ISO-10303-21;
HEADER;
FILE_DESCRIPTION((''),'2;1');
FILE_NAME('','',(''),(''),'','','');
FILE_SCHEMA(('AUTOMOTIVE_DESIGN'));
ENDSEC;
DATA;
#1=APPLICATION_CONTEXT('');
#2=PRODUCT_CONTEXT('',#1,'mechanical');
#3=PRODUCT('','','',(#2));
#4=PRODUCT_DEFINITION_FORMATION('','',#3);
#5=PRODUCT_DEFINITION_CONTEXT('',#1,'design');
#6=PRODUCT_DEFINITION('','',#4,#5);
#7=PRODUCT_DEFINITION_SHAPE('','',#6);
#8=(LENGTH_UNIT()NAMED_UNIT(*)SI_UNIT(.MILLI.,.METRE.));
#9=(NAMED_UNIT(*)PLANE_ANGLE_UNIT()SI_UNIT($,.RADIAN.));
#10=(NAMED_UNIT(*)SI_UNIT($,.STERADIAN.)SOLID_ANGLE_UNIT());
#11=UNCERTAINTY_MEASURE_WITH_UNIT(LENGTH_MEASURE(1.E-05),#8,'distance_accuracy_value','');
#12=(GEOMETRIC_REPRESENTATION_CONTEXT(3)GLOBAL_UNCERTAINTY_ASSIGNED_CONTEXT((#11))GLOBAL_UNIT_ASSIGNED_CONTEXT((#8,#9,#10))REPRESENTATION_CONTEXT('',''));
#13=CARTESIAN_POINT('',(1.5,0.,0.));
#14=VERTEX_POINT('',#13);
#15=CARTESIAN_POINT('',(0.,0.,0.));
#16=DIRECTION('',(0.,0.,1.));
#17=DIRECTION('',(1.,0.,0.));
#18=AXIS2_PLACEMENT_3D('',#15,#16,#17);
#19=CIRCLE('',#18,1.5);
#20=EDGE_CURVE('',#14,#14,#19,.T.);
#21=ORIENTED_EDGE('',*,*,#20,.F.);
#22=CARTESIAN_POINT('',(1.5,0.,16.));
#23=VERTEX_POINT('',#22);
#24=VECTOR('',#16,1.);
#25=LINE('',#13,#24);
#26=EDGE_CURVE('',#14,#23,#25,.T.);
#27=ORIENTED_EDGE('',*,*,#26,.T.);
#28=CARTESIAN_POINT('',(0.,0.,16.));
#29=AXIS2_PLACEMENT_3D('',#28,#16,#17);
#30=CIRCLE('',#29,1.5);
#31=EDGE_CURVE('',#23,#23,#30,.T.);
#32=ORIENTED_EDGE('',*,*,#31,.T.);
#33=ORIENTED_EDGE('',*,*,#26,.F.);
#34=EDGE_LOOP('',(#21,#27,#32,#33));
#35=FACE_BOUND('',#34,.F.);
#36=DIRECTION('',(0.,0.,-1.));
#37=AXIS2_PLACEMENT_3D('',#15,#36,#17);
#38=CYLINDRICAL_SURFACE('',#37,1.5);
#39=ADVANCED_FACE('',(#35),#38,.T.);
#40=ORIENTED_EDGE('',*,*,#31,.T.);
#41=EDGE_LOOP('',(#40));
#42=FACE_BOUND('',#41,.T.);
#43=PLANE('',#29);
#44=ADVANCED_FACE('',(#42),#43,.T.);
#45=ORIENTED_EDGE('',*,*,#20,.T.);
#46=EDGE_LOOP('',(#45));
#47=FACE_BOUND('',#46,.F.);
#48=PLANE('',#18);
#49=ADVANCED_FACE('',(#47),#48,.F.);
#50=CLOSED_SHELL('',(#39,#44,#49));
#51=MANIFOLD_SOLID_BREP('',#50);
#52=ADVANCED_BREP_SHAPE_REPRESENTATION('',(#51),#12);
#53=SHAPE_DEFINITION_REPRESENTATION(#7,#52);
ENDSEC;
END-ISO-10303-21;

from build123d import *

# Parameters (mm, degrees)
SKETCH_1_R      = 1.5
EXTRUDE_1_DEPTH = 16


with BuildPart() as part:
    # ｽｹｯﾁ1 → ﾎﾞｽ - 押し出し1 (new body)
    with BuildSketch(Plane.XY):
        Circle(SKETCH_1_R)
    extrude(amount=EXTRUDE_1_DEPTH)


solid = part.part
